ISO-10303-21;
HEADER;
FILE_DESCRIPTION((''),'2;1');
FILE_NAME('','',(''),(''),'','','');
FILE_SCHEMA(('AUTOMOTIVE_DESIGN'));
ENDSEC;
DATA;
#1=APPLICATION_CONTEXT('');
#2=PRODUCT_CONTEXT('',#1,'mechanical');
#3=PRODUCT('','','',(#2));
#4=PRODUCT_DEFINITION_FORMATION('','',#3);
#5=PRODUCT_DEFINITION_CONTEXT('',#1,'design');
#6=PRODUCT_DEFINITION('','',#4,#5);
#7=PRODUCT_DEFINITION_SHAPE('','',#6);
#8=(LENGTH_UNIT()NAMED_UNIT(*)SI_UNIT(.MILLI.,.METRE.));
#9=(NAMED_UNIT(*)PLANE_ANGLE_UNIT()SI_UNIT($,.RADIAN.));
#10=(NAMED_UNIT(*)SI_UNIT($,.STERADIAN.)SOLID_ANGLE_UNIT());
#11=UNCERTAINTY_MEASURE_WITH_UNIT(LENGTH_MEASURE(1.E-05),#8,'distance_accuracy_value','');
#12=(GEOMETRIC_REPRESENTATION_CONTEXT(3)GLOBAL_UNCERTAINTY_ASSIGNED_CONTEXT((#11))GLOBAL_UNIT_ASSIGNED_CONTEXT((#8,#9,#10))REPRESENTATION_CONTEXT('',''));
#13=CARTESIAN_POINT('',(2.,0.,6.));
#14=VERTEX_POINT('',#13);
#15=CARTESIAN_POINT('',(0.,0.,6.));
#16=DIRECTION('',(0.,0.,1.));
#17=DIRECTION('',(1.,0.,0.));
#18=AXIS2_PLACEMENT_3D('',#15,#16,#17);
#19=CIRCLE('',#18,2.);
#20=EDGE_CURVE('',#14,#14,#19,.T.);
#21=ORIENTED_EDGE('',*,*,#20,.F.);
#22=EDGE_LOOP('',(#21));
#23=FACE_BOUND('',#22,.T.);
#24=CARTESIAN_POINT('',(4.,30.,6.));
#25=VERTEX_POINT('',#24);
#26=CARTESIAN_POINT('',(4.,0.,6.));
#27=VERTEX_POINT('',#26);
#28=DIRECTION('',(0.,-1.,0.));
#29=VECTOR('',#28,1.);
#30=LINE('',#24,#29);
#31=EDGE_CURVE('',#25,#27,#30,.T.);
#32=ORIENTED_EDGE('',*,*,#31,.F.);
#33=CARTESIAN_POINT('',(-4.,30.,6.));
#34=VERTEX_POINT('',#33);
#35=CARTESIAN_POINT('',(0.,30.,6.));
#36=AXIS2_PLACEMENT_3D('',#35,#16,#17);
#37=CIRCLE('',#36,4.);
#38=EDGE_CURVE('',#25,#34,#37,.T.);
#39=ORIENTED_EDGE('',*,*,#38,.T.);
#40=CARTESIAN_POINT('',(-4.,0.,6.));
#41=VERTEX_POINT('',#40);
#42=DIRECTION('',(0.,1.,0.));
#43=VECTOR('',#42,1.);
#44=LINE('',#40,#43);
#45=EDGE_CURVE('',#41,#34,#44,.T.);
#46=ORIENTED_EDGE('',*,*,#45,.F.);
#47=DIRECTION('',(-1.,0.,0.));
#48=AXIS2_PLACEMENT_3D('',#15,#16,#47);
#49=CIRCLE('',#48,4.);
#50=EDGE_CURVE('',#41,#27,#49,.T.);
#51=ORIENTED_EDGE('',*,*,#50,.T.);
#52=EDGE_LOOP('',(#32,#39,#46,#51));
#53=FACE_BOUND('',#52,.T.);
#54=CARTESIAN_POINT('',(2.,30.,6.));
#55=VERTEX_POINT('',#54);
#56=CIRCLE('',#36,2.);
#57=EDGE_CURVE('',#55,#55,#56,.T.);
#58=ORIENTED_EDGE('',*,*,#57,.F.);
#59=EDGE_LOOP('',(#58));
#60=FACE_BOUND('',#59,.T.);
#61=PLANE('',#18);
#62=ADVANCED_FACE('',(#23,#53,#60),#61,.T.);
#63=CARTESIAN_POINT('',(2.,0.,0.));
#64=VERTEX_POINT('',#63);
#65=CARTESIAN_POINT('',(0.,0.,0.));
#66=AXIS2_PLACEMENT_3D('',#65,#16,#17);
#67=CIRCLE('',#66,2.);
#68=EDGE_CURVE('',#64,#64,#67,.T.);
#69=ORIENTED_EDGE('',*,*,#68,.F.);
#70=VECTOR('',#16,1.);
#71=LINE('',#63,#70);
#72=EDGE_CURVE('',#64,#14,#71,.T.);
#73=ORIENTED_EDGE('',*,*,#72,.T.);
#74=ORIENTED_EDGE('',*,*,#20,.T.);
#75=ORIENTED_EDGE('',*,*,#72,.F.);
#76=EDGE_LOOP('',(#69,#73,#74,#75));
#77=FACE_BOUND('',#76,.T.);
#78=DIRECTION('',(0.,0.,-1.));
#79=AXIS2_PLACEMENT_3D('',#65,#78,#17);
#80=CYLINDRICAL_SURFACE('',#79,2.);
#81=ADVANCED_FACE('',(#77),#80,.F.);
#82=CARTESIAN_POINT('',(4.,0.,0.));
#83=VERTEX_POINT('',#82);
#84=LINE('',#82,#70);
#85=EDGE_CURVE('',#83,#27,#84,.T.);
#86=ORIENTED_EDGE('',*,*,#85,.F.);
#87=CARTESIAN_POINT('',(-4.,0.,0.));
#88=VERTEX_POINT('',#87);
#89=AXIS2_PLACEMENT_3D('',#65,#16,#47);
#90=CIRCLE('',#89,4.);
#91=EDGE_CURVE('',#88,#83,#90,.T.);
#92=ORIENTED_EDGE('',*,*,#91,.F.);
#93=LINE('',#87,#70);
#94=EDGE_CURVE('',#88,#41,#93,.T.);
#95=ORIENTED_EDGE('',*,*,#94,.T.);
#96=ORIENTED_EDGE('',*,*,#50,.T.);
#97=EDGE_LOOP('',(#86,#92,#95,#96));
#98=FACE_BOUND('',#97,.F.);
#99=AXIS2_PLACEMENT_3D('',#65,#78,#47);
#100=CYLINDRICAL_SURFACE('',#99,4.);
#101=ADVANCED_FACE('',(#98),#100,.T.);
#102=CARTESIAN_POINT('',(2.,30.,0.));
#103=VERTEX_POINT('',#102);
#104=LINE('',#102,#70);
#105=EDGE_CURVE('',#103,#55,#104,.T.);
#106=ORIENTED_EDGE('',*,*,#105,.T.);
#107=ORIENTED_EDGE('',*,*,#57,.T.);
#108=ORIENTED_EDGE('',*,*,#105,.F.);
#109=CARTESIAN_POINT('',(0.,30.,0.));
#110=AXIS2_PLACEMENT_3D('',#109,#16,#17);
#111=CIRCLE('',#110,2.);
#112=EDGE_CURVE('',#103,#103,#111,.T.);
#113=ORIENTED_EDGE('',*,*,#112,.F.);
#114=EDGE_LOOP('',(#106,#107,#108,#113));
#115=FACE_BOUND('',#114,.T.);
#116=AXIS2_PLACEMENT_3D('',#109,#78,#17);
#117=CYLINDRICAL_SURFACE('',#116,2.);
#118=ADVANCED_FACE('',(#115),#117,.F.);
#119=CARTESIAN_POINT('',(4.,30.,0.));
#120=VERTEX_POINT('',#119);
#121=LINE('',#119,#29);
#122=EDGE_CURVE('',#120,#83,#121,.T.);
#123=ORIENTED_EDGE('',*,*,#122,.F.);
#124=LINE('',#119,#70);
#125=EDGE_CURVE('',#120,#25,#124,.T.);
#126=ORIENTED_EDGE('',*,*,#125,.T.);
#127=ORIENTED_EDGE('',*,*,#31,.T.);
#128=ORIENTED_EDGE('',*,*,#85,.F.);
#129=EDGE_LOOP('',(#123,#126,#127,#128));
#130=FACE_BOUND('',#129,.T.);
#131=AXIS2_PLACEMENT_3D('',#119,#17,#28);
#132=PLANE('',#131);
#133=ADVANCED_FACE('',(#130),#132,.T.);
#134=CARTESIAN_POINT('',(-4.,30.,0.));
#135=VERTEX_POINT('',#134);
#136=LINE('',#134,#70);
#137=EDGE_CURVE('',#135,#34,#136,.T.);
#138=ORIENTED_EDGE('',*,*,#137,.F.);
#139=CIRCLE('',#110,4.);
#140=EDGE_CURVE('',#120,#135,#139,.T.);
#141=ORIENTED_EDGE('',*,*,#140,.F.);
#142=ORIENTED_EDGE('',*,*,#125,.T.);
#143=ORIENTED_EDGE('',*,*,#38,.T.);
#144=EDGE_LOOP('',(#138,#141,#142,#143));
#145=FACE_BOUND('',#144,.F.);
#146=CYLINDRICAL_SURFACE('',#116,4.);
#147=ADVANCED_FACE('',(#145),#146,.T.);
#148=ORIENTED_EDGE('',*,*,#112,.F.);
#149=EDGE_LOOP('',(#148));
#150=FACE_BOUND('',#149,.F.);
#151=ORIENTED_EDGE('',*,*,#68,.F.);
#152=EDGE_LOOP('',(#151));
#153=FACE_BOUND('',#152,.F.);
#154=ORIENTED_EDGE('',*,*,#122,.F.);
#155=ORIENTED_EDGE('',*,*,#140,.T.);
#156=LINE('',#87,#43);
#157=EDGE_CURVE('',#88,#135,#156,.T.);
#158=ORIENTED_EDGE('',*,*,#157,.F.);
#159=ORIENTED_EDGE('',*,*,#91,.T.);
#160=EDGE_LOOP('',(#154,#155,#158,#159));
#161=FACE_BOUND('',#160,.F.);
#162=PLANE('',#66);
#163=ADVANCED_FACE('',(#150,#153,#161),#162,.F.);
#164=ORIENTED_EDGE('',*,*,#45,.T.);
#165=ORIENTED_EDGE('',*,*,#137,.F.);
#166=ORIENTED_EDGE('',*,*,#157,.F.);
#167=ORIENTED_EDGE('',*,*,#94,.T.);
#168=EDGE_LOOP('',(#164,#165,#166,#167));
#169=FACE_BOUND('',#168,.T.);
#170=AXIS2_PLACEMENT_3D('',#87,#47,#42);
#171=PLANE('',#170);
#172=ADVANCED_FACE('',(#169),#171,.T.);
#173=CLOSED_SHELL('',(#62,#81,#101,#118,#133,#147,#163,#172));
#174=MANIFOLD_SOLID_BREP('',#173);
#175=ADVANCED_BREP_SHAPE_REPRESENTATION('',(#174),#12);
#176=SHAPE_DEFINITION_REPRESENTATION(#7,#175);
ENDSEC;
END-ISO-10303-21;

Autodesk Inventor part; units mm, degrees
ref_plane "YZ Plane" through (0, 0, 0) normal (1, 0, 0) x (0, 1, 0)
ref_plane "XZ Plane" through (0, 0, 0) normal (0, 1, 0) x (-1, 0, 0)
ref_plane "XY Plane" through (0, 0, 0) normal (0, 0, 1) x (1, 0, 0)
sketch "Sketch1" plane through (0, 0, 0) normal (0, 0, 1) x (1, 0, 0)
  circle A0 centre (0, 0) radius 2
  arc A1 (-4, 0) -> (4, 0) centre (0, 0) ccw
  circle A2 centre (0, 30) radius 2
  arc A3 (4, 30) -> (-4, 30) centre (0, 30) ccw
  line L0 (-4, 0) -> (-4, 30)
  line L1 (4, 30) -> (4, 0)
  dimension "d0" = 4
  dimension "d1" = 8
  dimension "d2" = 4
  dimension "d3" = 8
  dimension "d6" = 30
extrude "Extrusion1" add sketch "Sketch1" along normal blind 6
properties part number "Gripper 5-3"
